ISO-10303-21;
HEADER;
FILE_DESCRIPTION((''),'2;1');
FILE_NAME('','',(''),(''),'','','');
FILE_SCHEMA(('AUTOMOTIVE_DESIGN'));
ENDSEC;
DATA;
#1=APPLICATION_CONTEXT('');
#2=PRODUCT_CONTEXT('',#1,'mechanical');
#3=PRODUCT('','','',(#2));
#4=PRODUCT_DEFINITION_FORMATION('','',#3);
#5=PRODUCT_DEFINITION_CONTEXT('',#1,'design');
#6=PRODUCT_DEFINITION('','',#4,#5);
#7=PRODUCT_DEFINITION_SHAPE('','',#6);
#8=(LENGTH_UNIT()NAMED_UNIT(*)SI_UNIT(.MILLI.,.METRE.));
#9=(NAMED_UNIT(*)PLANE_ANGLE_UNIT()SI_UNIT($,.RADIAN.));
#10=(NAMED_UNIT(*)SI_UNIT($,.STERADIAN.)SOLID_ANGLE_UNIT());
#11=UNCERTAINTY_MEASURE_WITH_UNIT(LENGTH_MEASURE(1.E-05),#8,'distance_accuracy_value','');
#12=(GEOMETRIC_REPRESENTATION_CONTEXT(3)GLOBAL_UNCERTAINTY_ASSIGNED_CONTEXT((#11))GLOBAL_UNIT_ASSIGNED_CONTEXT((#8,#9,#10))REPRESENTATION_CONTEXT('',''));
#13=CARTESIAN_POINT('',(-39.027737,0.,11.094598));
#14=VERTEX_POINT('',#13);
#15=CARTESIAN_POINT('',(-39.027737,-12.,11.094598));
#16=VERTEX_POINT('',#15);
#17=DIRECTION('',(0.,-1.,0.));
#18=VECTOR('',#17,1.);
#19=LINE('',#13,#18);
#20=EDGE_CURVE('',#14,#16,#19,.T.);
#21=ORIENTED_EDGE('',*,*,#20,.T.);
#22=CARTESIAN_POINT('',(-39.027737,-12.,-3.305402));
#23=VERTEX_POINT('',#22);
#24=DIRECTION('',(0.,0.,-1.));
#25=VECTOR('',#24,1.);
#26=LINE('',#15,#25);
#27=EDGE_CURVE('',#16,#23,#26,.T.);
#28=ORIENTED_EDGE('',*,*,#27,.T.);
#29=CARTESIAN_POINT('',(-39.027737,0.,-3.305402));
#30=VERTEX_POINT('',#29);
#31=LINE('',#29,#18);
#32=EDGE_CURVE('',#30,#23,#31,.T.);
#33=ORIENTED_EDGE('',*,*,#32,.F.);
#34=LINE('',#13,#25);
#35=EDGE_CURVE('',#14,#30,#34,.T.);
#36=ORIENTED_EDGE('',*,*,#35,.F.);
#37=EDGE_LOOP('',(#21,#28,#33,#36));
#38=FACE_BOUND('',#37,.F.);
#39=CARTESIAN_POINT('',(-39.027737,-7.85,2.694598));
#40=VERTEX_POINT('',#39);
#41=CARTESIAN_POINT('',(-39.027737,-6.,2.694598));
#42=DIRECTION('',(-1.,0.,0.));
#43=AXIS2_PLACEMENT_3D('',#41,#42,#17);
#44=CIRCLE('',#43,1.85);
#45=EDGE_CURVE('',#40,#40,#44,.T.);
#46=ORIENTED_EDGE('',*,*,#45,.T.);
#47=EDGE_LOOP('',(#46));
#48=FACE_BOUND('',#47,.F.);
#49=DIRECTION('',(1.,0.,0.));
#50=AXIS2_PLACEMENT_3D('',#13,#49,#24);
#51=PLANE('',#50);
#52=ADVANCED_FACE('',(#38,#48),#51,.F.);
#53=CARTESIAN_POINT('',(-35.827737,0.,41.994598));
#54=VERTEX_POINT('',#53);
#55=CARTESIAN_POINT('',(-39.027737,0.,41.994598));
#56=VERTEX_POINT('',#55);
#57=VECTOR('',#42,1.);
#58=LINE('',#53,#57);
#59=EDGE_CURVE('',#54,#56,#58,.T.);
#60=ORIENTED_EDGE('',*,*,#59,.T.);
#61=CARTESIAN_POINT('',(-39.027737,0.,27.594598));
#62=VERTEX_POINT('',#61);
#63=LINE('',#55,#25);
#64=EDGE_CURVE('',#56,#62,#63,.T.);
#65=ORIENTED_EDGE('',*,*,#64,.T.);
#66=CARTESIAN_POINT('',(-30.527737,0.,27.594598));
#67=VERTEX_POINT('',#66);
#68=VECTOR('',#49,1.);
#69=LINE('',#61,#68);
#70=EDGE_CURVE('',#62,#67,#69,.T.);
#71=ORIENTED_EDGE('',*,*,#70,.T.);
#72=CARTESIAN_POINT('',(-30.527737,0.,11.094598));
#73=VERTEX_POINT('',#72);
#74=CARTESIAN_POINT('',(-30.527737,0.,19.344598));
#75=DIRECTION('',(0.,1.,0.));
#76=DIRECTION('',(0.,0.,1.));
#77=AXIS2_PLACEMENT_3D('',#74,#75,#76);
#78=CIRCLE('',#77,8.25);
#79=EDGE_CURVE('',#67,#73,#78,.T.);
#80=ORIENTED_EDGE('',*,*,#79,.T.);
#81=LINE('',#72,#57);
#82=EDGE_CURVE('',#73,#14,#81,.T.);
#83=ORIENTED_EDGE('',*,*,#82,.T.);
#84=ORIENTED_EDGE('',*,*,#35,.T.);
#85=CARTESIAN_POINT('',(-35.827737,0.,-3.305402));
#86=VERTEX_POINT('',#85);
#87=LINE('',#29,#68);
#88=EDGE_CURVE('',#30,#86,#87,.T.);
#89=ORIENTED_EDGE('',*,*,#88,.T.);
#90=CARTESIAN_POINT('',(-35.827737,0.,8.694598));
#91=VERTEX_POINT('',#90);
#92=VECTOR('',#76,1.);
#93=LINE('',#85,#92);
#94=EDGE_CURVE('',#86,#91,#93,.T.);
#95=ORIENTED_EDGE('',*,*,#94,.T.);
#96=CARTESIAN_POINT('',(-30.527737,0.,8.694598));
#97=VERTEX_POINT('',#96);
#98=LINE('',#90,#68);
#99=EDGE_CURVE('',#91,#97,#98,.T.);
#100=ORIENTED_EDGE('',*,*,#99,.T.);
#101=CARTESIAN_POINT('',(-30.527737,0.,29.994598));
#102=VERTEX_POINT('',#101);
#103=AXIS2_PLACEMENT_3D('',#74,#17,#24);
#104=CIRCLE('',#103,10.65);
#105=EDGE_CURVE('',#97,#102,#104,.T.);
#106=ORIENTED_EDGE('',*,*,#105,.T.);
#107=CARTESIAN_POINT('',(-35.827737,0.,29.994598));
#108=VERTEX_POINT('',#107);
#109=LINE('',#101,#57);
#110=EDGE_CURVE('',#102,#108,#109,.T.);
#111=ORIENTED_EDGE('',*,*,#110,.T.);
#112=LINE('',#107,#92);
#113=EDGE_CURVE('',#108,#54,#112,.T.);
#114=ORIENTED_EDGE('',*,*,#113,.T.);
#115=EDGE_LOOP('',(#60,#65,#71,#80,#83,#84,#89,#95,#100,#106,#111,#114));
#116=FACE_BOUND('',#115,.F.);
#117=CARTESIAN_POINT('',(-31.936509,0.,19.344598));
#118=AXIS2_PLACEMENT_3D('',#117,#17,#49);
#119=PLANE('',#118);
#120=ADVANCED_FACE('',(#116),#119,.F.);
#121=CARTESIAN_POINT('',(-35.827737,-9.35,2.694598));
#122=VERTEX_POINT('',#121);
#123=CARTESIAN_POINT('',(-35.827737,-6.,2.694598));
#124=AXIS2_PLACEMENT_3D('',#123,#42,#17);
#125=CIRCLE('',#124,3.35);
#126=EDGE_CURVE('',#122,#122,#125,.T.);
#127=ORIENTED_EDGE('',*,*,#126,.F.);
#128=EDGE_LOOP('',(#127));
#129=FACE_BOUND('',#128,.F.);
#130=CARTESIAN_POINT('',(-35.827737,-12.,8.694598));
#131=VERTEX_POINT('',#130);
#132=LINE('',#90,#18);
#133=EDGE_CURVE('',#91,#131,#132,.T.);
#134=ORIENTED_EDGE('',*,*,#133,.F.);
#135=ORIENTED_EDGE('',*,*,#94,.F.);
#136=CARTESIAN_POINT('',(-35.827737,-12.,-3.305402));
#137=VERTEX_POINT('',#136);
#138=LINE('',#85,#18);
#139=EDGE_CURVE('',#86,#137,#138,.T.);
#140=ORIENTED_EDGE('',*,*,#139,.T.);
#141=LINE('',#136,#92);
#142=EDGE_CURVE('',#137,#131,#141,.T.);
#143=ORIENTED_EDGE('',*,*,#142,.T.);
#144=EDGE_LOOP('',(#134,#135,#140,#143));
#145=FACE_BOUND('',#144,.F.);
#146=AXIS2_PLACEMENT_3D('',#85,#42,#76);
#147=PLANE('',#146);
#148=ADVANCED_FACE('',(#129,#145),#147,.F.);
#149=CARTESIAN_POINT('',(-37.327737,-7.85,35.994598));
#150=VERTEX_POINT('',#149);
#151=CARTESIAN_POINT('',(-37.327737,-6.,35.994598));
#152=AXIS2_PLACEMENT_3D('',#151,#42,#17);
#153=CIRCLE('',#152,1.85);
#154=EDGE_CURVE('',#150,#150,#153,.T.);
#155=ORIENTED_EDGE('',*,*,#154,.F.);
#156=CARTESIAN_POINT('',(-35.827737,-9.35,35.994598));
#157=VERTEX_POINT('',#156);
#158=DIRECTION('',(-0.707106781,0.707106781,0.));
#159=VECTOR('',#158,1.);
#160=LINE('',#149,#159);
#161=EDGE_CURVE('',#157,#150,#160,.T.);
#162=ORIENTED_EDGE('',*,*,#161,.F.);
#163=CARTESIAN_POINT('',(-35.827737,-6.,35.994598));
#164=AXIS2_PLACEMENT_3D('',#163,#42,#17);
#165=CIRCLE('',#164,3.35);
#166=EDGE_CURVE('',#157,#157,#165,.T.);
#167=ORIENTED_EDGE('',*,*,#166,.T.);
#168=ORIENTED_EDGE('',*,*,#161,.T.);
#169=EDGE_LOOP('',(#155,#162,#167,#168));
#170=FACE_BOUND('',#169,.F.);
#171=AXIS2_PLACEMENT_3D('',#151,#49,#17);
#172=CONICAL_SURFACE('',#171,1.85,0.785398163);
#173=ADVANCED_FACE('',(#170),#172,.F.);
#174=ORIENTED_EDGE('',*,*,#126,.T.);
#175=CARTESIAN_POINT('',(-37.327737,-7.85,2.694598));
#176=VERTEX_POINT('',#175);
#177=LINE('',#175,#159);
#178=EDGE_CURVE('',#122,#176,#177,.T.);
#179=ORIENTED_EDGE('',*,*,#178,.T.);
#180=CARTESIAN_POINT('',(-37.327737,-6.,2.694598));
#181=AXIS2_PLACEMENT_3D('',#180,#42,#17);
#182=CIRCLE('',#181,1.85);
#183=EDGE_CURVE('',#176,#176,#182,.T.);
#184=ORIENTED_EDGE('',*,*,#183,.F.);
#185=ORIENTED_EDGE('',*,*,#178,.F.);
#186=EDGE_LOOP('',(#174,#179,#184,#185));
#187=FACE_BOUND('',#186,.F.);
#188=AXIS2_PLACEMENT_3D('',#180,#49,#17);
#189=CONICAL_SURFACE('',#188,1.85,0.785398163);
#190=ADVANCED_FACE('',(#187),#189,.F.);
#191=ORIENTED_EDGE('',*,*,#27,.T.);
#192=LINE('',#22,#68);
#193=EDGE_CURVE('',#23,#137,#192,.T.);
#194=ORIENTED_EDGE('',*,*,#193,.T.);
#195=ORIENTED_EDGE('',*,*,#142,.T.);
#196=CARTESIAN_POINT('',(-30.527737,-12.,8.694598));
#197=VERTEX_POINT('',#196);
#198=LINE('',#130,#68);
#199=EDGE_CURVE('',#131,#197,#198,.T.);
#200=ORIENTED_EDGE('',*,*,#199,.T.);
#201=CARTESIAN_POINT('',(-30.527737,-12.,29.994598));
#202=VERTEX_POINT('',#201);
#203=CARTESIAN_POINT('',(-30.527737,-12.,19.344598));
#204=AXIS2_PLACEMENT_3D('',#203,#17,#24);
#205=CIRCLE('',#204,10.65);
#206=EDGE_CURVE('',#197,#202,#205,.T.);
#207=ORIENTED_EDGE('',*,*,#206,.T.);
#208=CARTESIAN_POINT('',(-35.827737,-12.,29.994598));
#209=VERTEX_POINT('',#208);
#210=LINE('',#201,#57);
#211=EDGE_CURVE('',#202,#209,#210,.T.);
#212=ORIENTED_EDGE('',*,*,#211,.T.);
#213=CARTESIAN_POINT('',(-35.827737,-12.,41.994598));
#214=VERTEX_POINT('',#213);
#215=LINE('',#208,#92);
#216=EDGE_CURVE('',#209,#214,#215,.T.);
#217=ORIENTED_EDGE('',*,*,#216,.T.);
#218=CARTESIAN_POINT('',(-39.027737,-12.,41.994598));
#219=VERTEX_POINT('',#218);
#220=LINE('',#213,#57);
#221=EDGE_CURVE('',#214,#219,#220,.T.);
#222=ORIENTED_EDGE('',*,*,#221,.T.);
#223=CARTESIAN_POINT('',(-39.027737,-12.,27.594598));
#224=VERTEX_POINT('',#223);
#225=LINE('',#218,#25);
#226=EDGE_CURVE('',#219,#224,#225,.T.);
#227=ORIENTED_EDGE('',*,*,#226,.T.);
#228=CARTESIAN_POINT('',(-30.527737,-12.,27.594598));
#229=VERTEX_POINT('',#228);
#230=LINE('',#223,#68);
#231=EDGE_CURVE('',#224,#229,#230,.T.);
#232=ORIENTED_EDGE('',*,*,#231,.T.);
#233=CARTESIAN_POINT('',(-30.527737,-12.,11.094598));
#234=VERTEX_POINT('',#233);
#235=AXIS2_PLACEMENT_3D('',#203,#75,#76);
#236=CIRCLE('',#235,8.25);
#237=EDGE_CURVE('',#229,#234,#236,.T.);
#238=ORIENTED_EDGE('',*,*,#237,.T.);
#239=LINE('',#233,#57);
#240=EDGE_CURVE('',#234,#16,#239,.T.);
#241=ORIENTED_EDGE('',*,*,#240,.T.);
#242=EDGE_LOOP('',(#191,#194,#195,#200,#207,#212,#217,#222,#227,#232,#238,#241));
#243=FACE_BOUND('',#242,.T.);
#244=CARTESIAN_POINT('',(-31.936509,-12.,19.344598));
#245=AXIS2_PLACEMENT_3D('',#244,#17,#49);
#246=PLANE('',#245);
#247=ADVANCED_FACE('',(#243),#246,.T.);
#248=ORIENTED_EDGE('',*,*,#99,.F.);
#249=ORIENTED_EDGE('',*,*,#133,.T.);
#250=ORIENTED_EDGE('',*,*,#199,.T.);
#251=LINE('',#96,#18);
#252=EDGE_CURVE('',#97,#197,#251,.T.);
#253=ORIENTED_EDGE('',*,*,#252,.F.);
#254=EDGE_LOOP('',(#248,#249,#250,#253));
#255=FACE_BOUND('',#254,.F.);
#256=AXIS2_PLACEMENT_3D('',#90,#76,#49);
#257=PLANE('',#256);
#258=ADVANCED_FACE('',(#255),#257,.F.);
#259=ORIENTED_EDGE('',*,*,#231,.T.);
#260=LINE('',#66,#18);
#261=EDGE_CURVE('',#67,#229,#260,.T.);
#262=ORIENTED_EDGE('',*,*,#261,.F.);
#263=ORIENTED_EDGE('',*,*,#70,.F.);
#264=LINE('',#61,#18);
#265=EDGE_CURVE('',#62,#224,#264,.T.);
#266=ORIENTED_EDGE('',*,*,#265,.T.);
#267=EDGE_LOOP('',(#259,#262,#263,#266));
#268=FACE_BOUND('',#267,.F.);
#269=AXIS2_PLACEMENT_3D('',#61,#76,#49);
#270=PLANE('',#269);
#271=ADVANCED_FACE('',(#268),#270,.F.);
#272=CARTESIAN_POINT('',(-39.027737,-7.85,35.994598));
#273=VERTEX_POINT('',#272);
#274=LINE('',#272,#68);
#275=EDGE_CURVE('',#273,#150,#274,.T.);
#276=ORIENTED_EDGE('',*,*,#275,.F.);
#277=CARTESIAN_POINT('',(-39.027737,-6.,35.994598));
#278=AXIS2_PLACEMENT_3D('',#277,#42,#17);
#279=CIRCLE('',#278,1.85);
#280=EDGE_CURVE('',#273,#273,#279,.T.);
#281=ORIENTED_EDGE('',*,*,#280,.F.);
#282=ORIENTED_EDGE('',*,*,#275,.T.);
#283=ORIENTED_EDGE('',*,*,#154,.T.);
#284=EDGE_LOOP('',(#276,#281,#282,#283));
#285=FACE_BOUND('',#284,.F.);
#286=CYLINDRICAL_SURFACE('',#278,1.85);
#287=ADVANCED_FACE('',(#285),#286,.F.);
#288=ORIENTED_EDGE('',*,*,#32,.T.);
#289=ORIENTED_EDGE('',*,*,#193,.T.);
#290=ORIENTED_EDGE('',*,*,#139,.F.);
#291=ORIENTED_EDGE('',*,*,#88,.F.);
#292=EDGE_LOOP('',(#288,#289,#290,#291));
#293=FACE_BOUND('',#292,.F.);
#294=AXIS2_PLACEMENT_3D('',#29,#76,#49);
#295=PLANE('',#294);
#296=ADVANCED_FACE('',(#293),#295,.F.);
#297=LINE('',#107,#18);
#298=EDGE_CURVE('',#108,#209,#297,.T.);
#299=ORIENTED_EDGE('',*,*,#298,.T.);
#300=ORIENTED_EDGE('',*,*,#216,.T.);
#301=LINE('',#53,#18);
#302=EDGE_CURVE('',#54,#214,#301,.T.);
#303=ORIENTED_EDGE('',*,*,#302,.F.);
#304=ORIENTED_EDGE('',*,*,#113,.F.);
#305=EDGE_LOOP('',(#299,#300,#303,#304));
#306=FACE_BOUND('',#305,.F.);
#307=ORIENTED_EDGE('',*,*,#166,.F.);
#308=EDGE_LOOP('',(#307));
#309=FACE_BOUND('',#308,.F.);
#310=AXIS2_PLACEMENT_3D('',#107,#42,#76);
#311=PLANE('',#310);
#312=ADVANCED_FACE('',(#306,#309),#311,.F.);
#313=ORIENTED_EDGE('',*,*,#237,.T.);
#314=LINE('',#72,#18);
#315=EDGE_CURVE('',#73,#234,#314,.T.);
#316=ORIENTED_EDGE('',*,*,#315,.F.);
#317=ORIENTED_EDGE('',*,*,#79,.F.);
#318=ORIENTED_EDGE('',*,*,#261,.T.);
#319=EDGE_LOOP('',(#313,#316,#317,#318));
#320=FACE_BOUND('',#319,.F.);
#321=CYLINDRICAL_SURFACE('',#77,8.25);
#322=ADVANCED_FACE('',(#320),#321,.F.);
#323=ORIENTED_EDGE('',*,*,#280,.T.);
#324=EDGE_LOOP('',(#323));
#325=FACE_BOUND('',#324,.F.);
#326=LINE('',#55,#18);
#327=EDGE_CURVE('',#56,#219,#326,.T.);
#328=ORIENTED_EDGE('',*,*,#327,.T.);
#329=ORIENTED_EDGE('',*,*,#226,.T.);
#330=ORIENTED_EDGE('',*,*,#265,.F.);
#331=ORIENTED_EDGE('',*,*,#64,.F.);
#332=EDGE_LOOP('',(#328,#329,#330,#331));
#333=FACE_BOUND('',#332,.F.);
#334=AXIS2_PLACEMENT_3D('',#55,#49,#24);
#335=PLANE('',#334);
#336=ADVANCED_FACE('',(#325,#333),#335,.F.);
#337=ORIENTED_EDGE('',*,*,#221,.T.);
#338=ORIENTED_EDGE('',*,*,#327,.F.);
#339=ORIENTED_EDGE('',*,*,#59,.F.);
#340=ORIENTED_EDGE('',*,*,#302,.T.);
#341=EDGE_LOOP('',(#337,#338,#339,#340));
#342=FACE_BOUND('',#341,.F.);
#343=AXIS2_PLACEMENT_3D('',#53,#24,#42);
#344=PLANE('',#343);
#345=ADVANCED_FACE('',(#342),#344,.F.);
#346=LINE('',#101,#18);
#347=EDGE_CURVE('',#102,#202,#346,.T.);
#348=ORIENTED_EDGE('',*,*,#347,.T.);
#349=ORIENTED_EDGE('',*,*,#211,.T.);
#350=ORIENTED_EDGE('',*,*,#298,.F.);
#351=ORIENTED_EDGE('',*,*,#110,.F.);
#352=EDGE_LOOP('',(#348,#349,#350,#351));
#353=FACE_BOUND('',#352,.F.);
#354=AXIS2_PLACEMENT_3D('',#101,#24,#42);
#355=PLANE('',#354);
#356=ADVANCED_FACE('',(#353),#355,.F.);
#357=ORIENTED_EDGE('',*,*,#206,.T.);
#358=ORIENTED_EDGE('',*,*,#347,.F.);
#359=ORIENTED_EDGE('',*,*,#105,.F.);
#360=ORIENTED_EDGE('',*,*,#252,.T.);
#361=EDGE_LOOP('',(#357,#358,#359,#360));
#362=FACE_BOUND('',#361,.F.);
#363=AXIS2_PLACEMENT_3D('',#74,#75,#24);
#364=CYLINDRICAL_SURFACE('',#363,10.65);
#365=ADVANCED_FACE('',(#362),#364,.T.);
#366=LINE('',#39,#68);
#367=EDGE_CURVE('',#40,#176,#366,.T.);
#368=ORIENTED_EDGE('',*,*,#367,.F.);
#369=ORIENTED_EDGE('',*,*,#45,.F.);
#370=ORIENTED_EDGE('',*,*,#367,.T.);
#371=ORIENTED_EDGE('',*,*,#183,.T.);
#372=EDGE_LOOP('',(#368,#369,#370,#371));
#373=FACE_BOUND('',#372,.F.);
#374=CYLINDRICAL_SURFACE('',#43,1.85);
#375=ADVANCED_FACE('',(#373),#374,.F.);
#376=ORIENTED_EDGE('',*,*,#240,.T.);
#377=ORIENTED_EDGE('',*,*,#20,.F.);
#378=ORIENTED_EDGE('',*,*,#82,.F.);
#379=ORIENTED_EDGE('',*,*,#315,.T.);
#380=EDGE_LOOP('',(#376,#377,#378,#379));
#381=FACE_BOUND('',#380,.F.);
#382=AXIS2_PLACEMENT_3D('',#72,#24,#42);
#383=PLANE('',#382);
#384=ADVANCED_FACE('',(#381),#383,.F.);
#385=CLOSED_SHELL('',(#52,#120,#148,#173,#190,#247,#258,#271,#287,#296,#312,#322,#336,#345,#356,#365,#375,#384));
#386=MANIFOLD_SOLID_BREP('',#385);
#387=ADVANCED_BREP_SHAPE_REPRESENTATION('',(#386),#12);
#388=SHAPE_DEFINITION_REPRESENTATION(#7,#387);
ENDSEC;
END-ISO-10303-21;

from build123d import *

# Parameters (mm, degrees)
F1_DEPTH = 12
F2_R     = 1.85
F3_DEPTH = 19.151
F4_SIZE  = 1.5


with BuildPart() as f1:
    # F0 (on Front) → F1 (new body)
    with BuildSketch(Plane.XZ):
        with BuildLine():
            Line((-35.8277369916, 41.9945976296), (-39.0277369916, 41.9945976296))
            Line((-39.0277369916, 41.9945976296), (-39.0277369916, 27.5945976296))
            Line((-39.0277369916, 27.5945976296), (-30.5277369916, 27.5945976296))
            ThreePointArc((-30.5277369916, 27.5945976296), (-22.2777369916, 19.3445976296), (-30.5277369916, 11.0945976296))
            Line((-30.5277369916, 11.0945976296), (-39.0277369916, 11.0945976296))
            Line((-39.0277369916, 11.0945976296), (-39.0277369916, -3.3054023704))
            Line((-39.0277369916, -3.3054023704), (-35.8277369916, -3.3054023704))
            Line((-35.8277369916, -3.3054023704), (-35.8277369916, 8.6945976296))
            Line((-35.8277369916, 8.6945976296), (-30.5277369916, 8.6945976296))
            ThreePointArc((-30.5277369916, 8.6945976296), (-19.8777369916, 19.3445976296), (-30.5277369916, 29.9945976296))
            Line((-30.5277369916, 29.9945976296), (-35.8277369916, 29.9945976296))
            Line((-35.8277369916, 29.9945976296), (-35.8277369916, 41.9945976296))
        make_face()
    extrude(amount=F1_DEPTH)

    # F2 (on face) → F3 (cut, through all)
    with BuildSketch(Plane(origin=(-39.0277369916, 0, 0), x_dir=(0, -1, 0), z_dir=(-1, 0, 0))):
        with Locations((6, 35.9945976296)):
            Circle(F2_R)
        with Locations((6, 2.6945976296)):
            Circle(F2_R)
    extrude(amount=-F3_DEPTH, mode=Mode.SUBTRACT)

    # F4
    f4_edges = [f1.edges().sort_by_distance(p)[0] for p in [
        (-35.827737, -4.15, 35.994598),
        (-35.827737, -4.15, 2.694598),
    ]]
    chamfer(f4_edges, length=F4_SIZE)


solid = f1.part
